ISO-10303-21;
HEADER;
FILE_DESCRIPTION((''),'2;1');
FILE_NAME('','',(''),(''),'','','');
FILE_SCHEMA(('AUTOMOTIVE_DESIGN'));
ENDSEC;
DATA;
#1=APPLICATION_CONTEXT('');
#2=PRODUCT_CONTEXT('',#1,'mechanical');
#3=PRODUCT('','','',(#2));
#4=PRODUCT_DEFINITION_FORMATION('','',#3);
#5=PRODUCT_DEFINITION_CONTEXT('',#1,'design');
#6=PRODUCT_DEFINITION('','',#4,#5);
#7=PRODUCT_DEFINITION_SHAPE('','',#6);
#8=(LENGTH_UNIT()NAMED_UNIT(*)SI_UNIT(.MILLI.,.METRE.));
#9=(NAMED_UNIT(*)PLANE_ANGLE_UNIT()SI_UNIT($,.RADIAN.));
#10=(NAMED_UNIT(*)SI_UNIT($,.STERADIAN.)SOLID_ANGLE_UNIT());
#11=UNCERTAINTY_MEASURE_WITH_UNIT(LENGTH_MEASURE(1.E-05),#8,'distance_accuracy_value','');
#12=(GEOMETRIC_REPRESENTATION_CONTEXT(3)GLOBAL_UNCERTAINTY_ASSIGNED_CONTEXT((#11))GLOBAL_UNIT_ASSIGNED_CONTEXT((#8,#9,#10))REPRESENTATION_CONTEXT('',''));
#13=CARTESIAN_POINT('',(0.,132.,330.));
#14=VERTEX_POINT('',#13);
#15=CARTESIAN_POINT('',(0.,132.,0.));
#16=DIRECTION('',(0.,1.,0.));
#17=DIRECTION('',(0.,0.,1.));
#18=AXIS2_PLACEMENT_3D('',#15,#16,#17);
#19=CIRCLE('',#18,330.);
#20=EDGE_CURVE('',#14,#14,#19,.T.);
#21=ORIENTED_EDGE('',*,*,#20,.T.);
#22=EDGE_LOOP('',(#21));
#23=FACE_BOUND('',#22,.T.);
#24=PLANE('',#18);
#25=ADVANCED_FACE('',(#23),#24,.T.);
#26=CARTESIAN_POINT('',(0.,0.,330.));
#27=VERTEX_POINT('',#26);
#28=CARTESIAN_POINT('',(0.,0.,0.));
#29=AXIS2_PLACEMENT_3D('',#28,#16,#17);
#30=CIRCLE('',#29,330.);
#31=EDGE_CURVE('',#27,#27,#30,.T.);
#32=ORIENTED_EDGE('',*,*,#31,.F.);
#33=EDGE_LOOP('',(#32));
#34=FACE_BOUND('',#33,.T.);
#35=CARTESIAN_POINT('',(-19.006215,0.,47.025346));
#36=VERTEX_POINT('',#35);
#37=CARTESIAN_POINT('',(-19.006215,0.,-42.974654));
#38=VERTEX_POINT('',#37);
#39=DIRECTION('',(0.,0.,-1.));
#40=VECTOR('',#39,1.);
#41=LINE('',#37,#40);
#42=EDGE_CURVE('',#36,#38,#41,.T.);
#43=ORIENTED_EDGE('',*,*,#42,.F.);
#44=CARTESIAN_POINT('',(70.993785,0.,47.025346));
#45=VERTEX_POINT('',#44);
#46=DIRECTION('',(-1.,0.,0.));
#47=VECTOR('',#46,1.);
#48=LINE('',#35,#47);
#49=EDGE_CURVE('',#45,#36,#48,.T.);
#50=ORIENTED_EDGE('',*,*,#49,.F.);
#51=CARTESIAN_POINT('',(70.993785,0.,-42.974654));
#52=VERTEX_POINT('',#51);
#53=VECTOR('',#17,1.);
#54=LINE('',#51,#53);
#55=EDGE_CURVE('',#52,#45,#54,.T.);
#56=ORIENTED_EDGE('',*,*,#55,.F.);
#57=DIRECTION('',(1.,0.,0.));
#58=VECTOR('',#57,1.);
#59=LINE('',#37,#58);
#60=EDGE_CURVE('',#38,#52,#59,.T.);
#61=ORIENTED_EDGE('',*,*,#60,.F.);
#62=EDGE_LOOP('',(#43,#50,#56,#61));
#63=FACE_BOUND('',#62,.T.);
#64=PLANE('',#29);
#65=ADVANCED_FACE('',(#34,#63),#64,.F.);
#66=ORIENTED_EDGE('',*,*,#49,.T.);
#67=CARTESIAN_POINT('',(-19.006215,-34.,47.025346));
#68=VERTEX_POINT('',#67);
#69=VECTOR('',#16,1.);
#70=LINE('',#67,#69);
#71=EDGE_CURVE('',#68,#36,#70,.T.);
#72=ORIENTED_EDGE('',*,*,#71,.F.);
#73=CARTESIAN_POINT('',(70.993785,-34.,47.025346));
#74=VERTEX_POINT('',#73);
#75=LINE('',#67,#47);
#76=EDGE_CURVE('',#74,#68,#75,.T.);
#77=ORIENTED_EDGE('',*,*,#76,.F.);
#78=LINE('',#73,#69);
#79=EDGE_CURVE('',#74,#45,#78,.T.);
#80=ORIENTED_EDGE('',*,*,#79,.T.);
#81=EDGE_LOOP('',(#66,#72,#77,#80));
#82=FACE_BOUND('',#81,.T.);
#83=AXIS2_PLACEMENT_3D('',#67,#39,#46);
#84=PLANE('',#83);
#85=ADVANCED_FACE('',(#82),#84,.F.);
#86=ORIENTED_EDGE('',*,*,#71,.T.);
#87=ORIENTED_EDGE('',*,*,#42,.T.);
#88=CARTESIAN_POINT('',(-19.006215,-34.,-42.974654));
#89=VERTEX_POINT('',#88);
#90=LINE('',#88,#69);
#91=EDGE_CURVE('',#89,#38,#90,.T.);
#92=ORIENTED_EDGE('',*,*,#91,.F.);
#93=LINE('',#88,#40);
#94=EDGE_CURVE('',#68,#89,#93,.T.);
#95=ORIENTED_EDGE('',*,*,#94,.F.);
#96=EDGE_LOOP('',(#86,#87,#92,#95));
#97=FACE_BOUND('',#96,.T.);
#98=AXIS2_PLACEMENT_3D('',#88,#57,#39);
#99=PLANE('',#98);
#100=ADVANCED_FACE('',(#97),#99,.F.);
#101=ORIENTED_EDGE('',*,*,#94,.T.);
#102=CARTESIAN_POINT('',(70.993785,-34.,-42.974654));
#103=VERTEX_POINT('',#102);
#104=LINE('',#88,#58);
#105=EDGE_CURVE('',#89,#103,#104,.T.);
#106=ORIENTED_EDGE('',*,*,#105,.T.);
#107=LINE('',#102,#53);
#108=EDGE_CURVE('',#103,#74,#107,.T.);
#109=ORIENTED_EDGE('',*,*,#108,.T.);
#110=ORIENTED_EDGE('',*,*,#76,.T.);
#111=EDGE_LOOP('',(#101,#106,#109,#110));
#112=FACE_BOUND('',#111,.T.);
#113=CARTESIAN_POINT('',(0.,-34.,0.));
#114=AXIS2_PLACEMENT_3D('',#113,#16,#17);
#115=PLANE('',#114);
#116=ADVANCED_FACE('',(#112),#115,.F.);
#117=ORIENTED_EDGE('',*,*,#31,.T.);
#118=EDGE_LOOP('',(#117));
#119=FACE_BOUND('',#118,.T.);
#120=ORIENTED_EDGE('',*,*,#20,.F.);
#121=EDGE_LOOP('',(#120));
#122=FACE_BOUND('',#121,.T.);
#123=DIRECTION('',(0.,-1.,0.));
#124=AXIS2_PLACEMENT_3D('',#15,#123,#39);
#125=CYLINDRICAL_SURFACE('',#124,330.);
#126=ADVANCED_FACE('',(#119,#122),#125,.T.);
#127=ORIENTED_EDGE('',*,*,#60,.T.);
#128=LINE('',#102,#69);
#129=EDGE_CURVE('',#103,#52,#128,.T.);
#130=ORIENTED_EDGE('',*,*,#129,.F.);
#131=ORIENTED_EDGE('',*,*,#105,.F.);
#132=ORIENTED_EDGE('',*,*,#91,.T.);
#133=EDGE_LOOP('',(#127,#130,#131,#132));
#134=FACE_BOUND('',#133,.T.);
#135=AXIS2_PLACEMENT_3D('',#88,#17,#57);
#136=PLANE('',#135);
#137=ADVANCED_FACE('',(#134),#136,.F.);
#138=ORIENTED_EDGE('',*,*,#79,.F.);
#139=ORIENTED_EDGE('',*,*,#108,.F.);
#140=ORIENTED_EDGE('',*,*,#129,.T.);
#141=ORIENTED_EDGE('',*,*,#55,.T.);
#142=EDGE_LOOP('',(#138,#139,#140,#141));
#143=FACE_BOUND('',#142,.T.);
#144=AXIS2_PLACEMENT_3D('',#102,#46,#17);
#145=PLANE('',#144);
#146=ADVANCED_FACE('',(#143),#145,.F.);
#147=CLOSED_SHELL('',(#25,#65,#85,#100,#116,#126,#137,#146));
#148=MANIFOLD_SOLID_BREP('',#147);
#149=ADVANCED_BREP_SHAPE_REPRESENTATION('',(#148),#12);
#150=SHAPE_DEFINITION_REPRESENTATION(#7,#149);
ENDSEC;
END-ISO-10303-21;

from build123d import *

# Parameters (mm, degrees)
SKETCH1_R           = 330
BOSS_EXTRUDE1_DEPTH = 132
SKETCH3_W           = 90
SKETCH3_H           = 90
BOSS_EXTRUDE2_DEPTH = 34


with BuildPart() as part:
    # Sketch1 → Boss-Extrude1 (new body)
    with BuildSketch(Plane(origin=(0, 0, 0), x_dir=(1, 0, 0), z_dir=(0, 1, 0))):
        with Locations(Location((0, 0, 0), (0, 0, 270))):
            Circle(SKETCH1_R)
    extrude(amount=BOSS_EXTRUDE1_DEPTH)

    # Sketch3 → Boss-Extrude2 (add)
    with BuildSketch(Plane.XZ):
        with Locations((25.993784752, 2.025345727)):
            Rectangle(SKETCH3_W, SKETCH3_H)
    extrude(amount=BOSS_EXTRUDE2_DEPTH)


solid = part.part
